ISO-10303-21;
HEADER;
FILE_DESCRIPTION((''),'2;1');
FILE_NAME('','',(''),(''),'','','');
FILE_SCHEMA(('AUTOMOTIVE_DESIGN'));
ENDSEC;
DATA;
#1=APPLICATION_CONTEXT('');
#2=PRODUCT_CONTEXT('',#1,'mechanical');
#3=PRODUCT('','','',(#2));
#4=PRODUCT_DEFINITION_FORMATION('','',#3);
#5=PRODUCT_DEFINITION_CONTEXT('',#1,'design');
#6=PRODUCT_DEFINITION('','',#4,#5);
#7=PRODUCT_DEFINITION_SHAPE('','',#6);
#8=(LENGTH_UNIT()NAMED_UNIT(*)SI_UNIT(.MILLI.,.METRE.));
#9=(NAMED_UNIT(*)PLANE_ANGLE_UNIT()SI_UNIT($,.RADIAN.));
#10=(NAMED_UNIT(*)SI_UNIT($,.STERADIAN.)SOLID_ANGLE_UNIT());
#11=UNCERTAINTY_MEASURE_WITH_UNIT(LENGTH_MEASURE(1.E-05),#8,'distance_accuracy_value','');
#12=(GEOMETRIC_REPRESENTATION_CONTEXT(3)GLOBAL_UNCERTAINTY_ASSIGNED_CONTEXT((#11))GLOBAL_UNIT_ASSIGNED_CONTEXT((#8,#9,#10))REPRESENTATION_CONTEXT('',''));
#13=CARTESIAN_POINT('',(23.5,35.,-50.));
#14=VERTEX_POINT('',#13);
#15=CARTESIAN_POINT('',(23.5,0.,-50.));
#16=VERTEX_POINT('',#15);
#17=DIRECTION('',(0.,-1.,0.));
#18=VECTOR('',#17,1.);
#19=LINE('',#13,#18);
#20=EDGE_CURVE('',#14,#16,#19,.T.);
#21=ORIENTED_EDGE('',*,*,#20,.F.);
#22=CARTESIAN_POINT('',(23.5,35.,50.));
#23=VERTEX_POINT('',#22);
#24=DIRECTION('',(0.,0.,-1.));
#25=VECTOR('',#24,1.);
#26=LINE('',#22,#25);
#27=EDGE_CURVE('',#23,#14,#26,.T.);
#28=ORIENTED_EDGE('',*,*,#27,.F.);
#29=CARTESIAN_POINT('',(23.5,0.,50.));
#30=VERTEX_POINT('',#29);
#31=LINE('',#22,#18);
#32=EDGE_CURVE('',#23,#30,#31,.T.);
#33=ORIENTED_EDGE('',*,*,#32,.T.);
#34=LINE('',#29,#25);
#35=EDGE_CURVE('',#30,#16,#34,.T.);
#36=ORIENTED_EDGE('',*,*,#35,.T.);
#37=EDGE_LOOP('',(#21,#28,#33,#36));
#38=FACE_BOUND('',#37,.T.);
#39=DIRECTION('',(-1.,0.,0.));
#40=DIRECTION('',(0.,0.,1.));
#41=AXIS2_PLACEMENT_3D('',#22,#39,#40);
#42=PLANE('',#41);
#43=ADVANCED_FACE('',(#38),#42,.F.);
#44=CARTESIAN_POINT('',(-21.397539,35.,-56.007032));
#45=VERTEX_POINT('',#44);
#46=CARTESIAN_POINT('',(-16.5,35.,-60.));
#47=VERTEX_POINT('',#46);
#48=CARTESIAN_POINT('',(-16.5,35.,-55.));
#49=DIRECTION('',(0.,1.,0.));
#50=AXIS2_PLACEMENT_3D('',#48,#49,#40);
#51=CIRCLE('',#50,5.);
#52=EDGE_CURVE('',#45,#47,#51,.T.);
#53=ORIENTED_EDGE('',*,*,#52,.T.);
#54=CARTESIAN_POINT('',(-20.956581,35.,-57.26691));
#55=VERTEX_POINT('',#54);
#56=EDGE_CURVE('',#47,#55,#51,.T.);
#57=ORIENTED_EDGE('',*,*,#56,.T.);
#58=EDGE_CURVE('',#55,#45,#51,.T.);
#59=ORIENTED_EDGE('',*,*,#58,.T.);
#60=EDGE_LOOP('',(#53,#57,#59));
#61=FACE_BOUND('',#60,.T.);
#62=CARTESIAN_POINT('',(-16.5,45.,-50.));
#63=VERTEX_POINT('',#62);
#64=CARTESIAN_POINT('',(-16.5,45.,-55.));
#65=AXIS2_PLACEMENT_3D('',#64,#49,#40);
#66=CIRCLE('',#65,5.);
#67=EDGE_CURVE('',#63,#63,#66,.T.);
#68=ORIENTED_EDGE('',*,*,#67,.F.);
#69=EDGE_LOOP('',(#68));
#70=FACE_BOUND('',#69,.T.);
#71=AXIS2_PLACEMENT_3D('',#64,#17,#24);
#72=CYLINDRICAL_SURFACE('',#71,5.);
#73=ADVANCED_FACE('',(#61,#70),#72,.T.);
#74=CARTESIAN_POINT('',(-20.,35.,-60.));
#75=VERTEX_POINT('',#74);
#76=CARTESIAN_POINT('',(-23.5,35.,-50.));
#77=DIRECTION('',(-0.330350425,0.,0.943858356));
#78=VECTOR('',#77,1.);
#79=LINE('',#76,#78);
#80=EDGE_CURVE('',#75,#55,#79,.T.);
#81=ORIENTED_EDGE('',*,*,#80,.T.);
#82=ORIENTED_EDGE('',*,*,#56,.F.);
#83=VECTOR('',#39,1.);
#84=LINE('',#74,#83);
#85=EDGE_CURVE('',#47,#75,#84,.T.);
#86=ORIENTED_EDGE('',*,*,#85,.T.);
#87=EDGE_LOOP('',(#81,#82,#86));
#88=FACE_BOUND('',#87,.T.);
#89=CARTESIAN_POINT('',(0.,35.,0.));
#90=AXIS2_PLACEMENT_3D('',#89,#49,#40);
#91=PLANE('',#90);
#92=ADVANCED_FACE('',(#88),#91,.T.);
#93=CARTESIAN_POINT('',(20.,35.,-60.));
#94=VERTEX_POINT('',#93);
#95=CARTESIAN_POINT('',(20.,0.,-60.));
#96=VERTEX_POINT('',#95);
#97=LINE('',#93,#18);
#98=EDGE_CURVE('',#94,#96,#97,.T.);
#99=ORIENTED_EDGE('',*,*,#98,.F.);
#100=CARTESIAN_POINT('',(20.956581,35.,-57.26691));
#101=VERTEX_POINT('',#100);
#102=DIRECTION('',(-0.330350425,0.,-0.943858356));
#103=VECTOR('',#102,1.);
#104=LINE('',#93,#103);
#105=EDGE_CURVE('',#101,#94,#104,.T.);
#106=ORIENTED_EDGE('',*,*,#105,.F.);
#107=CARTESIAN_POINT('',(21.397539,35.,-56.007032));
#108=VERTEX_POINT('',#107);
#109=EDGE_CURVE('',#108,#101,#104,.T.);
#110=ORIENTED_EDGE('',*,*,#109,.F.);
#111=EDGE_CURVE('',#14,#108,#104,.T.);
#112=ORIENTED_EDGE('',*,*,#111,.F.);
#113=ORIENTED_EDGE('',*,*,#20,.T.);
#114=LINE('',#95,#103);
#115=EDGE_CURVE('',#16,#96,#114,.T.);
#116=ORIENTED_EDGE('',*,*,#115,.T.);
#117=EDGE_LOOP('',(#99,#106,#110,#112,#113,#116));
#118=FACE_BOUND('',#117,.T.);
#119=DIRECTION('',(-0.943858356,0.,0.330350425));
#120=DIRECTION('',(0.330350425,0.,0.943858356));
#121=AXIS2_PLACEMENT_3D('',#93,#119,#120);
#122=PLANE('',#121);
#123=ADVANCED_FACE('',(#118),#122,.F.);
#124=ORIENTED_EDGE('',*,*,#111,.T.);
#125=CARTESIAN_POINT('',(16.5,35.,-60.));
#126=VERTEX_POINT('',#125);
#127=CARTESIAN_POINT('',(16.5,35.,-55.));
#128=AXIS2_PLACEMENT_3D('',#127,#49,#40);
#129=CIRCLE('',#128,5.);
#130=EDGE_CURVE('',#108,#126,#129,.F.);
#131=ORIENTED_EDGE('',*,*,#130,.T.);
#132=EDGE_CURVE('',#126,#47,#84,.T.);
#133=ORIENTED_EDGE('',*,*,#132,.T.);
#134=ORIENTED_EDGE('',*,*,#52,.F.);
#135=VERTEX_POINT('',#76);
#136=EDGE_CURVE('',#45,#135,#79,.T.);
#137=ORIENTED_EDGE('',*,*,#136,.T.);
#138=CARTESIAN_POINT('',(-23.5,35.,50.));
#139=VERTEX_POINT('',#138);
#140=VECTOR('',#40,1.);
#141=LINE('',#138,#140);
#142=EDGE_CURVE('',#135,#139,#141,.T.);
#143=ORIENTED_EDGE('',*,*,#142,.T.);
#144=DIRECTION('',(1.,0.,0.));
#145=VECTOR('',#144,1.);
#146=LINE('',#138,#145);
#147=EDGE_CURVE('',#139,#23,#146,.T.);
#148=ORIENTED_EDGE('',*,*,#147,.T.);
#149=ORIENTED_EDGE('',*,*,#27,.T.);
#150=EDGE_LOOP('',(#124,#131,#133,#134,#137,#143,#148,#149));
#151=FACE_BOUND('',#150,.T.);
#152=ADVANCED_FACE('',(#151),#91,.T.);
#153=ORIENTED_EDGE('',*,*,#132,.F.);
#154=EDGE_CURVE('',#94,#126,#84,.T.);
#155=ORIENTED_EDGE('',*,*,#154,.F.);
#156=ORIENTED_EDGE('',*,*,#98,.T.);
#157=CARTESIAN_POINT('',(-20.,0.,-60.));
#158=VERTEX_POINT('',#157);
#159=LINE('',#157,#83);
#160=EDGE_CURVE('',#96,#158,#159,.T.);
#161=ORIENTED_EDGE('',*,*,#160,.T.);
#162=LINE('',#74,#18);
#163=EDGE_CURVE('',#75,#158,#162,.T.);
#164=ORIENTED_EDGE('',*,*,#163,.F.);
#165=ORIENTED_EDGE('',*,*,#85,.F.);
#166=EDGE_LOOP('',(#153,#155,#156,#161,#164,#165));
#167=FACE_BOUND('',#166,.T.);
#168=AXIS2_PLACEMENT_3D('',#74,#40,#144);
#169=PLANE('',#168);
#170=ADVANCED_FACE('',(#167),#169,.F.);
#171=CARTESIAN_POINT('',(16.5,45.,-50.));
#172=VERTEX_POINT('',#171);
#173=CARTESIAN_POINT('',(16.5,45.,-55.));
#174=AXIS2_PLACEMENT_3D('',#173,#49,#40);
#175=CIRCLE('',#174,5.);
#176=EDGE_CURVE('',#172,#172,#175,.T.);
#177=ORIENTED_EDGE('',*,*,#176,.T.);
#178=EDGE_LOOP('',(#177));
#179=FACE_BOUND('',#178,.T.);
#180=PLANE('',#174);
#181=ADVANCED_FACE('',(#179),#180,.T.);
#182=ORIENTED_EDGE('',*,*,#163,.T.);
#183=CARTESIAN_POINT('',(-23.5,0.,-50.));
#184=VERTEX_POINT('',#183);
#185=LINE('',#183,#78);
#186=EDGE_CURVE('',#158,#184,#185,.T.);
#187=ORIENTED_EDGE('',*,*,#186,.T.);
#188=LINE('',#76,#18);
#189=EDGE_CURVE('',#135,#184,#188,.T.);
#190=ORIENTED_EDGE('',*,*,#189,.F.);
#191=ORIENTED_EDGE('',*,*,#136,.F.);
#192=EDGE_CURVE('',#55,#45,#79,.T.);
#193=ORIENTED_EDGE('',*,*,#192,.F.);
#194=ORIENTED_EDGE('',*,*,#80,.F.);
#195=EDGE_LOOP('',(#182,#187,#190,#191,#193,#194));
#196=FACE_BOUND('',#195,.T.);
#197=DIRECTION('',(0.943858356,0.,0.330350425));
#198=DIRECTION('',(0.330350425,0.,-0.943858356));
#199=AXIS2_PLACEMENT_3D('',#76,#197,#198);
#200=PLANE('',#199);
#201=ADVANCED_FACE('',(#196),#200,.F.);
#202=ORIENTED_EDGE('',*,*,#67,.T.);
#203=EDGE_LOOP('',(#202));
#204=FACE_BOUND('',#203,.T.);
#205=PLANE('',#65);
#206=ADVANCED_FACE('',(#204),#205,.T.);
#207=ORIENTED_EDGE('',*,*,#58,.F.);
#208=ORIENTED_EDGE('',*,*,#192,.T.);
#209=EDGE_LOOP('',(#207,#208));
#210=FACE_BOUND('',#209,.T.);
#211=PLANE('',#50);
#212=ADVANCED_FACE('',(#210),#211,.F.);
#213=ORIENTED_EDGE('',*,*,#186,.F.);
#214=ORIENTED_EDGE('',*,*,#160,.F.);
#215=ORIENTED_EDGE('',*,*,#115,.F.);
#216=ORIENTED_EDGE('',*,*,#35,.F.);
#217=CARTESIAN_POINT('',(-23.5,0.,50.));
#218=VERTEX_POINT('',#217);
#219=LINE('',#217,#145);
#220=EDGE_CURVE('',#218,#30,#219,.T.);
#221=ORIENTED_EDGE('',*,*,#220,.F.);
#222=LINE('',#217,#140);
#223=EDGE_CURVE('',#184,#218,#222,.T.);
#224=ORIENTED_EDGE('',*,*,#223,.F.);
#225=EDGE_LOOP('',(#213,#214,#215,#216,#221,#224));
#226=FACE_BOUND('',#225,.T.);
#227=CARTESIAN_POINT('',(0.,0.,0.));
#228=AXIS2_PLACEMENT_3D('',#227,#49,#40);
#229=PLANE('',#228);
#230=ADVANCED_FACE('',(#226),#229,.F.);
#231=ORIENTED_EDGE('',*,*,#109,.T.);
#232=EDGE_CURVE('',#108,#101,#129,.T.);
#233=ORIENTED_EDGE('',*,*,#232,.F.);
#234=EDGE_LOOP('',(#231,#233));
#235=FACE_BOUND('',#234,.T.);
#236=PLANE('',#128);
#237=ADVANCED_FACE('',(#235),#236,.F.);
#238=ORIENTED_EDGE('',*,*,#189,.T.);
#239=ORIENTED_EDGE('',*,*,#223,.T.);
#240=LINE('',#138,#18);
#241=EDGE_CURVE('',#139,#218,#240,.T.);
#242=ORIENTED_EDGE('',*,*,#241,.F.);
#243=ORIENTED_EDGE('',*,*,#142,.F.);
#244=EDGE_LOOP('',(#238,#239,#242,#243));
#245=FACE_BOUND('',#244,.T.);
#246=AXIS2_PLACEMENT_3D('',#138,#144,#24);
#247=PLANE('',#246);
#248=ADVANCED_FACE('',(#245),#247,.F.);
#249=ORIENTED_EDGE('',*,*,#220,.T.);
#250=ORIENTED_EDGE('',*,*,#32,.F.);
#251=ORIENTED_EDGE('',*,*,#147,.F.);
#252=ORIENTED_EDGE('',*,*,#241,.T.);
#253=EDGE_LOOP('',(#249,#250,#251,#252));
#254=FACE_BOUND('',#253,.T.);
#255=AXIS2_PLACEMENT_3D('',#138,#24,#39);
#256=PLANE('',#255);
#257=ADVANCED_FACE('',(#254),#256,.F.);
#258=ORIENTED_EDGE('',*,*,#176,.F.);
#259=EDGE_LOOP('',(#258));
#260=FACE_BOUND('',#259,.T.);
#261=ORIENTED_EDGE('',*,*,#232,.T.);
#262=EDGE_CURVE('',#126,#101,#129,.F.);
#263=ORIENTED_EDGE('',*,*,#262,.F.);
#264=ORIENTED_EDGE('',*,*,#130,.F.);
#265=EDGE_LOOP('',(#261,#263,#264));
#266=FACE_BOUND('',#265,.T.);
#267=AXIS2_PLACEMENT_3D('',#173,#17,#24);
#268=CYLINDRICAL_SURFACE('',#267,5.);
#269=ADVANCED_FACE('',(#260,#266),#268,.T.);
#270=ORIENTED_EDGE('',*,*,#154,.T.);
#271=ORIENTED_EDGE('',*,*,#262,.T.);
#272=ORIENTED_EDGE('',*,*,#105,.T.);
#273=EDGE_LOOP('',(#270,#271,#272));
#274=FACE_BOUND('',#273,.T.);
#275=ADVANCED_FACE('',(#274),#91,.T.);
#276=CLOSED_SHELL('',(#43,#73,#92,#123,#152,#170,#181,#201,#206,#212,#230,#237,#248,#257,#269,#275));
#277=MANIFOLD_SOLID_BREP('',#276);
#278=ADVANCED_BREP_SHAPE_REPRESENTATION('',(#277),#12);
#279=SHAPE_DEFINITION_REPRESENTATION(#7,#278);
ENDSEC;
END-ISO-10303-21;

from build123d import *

# Parameters (mm, degrees)
EXTRUDE_1_DEPTH = 35
SKETCH_2_R      = 5
EXTRUDE_2_DEPTH = 10


with BuildPart() as part:
    # 草图1 → 凸台-拉伸1 (new body)
    with BuildSketch(Plane(origin=(0, 0, 0), x_dir=(1, 0, 0), z_dir=(0, 1, 0))):
        Polygon((-23.5, 50), (-20, 60), (20, 60), (23.5, 50), (23.5, -50), (-23.5, -50), align=None)
    extrude(amount=EXTRUDE_1_DEPTH)

    # 草图2 → 凸台-拉伸2 (add)
    with BuildSketch(Plane(origin=(0, 35, 0), x_dir=(1, 0, 0), z_dir=(0, 1, 0))):
        with Locations(Location((-16.5, 55, 0), (0, 0, 90))):
            Circle(SKETCH_2_R)
        with Locations(Location((16.5, 55, 0), (0, 0, 90))):
            Circle(SKETCH_2_R)
    extrude(amount=EXTRUDE_2_DEPTH)


solid = part.part
